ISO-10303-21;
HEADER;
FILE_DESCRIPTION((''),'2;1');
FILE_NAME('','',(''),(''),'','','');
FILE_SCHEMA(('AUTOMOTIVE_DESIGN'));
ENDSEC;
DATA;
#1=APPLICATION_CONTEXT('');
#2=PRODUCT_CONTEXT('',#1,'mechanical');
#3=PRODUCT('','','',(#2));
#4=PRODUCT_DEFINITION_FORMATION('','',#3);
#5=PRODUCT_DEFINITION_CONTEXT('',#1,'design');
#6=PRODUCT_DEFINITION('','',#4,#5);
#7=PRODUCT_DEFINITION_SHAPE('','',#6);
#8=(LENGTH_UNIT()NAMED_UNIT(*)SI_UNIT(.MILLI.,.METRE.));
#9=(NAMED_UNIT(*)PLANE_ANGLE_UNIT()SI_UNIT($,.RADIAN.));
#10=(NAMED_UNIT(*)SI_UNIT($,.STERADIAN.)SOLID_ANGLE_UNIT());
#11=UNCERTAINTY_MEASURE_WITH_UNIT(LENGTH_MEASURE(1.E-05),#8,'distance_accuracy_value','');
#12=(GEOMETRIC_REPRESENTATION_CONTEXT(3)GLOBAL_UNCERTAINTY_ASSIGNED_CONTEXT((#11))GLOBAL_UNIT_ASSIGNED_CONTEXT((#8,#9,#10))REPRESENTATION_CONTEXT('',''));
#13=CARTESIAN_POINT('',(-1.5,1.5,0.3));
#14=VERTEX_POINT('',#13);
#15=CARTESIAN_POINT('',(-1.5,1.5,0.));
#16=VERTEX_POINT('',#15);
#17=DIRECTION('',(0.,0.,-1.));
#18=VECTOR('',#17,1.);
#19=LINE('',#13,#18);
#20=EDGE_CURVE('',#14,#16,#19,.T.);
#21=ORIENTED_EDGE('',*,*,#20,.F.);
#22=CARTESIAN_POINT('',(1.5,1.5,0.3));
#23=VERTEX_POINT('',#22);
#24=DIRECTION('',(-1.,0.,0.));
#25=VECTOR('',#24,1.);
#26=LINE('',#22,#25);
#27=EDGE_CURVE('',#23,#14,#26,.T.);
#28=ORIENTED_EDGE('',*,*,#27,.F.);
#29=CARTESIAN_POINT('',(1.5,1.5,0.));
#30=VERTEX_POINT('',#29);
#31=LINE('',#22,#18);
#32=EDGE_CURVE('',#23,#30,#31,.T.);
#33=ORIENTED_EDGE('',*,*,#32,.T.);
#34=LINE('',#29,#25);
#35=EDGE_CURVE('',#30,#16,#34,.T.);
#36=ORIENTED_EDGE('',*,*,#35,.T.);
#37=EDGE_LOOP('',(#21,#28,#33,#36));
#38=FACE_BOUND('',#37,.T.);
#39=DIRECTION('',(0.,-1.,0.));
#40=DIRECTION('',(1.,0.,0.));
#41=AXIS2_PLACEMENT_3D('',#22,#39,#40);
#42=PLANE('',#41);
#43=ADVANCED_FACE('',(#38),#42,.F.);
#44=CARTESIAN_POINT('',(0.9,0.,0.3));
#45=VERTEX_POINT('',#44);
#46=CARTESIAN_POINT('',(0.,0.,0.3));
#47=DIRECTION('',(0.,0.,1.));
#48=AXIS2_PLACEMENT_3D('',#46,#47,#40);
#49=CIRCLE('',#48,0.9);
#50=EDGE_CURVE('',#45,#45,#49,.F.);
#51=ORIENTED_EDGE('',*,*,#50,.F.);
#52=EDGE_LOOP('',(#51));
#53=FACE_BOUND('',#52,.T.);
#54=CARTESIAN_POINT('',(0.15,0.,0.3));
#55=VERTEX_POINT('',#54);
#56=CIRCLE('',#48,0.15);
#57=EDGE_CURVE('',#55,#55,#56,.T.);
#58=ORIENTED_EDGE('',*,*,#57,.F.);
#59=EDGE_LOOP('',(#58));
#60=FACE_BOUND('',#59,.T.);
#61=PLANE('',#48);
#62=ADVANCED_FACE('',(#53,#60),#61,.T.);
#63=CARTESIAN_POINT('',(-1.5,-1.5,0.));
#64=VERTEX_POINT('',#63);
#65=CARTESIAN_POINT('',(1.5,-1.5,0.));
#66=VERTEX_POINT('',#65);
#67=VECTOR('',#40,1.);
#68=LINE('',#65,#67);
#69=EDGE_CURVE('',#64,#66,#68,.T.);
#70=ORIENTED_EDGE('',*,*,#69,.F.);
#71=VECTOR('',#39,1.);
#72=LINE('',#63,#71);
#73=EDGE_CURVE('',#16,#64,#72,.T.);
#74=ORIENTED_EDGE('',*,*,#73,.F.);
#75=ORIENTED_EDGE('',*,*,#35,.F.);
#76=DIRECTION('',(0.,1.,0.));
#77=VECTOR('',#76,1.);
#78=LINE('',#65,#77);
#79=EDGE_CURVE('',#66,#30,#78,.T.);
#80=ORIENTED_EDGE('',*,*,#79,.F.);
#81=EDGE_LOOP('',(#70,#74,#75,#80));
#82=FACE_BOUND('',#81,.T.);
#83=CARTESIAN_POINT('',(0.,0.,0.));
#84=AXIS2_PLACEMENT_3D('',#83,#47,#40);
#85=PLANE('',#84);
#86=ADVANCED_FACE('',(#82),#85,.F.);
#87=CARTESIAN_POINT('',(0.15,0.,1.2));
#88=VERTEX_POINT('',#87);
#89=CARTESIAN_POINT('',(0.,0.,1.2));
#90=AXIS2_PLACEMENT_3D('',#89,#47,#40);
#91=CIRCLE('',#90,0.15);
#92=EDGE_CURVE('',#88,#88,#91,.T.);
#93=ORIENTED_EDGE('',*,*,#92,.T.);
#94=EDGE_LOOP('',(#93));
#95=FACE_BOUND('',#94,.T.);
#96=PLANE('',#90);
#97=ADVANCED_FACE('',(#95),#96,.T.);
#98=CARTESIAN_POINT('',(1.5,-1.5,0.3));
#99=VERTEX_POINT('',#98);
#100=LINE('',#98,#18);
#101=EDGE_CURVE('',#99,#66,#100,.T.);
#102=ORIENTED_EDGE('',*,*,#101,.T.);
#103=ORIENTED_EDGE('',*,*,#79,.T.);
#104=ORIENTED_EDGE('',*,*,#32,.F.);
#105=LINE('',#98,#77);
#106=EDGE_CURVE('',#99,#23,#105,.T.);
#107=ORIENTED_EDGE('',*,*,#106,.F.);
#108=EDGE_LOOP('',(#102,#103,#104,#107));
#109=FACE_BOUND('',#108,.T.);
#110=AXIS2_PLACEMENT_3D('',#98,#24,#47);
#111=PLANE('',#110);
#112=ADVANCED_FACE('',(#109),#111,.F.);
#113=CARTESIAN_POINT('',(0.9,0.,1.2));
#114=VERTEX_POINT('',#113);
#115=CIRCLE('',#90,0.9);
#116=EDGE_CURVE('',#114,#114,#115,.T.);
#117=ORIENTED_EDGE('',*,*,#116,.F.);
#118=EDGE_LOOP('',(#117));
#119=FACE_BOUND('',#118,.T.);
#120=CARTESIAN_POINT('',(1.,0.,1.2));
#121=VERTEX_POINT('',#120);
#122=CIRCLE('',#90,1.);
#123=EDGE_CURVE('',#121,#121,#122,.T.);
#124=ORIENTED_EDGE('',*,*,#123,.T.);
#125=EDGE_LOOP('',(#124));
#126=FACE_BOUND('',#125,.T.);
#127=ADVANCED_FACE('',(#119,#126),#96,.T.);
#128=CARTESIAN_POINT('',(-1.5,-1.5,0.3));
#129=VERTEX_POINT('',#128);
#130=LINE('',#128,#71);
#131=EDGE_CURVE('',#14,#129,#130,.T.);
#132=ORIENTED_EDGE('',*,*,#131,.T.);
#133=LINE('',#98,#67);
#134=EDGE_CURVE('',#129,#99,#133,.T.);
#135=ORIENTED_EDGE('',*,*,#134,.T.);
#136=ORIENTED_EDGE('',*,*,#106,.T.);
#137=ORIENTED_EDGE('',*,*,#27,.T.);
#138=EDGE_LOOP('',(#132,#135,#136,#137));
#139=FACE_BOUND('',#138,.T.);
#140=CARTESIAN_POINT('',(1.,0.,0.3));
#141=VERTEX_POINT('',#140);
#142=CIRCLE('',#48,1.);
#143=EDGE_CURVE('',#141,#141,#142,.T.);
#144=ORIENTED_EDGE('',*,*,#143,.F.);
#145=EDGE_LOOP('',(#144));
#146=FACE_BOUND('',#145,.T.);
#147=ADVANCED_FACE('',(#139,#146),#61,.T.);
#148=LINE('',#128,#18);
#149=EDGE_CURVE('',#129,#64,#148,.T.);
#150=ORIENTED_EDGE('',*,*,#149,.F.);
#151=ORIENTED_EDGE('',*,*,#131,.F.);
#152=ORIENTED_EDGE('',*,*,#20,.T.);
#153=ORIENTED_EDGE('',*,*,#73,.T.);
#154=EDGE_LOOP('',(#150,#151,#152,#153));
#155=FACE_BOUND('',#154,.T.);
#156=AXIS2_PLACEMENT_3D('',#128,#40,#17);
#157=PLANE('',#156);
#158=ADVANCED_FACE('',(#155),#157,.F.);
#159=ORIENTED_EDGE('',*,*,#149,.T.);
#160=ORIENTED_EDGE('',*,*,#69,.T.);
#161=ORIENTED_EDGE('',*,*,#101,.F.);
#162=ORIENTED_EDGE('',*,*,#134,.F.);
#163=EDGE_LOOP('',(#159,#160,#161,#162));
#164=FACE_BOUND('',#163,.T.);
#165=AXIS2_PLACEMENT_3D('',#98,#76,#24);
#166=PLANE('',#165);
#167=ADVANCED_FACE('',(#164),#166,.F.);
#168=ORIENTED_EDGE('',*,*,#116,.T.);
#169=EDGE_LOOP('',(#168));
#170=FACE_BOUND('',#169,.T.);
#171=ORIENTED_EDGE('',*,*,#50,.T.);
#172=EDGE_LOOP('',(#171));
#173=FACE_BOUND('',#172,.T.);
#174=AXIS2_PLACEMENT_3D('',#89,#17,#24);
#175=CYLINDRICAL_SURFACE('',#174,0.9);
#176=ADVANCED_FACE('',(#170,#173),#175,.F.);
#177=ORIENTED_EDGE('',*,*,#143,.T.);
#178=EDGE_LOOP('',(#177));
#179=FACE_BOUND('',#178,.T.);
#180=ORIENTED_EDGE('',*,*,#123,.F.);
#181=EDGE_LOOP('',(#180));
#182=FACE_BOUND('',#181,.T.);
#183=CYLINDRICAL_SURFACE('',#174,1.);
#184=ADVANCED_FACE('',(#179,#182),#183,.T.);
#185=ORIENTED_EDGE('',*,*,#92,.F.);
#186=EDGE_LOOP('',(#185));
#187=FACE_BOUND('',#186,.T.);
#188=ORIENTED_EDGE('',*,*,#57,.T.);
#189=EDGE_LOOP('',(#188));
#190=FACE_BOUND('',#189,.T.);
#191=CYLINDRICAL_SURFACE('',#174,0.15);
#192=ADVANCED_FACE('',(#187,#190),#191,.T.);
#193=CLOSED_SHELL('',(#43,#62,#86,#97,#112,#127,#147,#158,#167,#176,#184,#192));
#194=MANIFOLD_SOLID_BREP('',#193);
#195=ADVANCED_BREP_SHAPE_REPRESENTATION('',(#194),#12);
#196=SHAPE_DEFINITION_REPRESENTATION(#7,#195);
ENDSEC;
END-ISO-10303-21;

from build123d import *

# Parameters (mm, degrees)
CROQUIS1_W              = 3
CROQUIS1_H              = 3
SALIENTE_EXTRUIR1_DEPTH = 0.3
CROQUIS2_R              = 1
CROQUIS2_R_2            = 0.9
CROQUIS2_R_3            = 0.15
SALIENTE_EXTRUIR2_DEPTH = 0.9


with BuildPart() as part:
    # Croquis1 → Saliente-Extruir1 (new body)
    with BuildSketch(Plane.XY):
        Rectangle(CROQUIS1_W, CROQUIS1_H)
    extrude(amount=SALIENTE_EXTRUIR1_DEPTH)

    # Croquis2 → Saliente-Extruir2 (add)
    # profile 1 of 2: a face of its own
    with BuildSketch(Plane.XY.offset(0.3)):
        Circle(CROQUIS2_R)
        Circle(CROQUIS2_R_2, mode=Mode.SUBTRACT)
    # profile 2 of 2: a face of its own
    with BuildSketch(Plane.XY.offset(0.3)):
        Circle(CROQUIS2_R_3)
    extrude(amount=SALIENTE_EXTRUIR2_DEPTH)


solid = part.part
